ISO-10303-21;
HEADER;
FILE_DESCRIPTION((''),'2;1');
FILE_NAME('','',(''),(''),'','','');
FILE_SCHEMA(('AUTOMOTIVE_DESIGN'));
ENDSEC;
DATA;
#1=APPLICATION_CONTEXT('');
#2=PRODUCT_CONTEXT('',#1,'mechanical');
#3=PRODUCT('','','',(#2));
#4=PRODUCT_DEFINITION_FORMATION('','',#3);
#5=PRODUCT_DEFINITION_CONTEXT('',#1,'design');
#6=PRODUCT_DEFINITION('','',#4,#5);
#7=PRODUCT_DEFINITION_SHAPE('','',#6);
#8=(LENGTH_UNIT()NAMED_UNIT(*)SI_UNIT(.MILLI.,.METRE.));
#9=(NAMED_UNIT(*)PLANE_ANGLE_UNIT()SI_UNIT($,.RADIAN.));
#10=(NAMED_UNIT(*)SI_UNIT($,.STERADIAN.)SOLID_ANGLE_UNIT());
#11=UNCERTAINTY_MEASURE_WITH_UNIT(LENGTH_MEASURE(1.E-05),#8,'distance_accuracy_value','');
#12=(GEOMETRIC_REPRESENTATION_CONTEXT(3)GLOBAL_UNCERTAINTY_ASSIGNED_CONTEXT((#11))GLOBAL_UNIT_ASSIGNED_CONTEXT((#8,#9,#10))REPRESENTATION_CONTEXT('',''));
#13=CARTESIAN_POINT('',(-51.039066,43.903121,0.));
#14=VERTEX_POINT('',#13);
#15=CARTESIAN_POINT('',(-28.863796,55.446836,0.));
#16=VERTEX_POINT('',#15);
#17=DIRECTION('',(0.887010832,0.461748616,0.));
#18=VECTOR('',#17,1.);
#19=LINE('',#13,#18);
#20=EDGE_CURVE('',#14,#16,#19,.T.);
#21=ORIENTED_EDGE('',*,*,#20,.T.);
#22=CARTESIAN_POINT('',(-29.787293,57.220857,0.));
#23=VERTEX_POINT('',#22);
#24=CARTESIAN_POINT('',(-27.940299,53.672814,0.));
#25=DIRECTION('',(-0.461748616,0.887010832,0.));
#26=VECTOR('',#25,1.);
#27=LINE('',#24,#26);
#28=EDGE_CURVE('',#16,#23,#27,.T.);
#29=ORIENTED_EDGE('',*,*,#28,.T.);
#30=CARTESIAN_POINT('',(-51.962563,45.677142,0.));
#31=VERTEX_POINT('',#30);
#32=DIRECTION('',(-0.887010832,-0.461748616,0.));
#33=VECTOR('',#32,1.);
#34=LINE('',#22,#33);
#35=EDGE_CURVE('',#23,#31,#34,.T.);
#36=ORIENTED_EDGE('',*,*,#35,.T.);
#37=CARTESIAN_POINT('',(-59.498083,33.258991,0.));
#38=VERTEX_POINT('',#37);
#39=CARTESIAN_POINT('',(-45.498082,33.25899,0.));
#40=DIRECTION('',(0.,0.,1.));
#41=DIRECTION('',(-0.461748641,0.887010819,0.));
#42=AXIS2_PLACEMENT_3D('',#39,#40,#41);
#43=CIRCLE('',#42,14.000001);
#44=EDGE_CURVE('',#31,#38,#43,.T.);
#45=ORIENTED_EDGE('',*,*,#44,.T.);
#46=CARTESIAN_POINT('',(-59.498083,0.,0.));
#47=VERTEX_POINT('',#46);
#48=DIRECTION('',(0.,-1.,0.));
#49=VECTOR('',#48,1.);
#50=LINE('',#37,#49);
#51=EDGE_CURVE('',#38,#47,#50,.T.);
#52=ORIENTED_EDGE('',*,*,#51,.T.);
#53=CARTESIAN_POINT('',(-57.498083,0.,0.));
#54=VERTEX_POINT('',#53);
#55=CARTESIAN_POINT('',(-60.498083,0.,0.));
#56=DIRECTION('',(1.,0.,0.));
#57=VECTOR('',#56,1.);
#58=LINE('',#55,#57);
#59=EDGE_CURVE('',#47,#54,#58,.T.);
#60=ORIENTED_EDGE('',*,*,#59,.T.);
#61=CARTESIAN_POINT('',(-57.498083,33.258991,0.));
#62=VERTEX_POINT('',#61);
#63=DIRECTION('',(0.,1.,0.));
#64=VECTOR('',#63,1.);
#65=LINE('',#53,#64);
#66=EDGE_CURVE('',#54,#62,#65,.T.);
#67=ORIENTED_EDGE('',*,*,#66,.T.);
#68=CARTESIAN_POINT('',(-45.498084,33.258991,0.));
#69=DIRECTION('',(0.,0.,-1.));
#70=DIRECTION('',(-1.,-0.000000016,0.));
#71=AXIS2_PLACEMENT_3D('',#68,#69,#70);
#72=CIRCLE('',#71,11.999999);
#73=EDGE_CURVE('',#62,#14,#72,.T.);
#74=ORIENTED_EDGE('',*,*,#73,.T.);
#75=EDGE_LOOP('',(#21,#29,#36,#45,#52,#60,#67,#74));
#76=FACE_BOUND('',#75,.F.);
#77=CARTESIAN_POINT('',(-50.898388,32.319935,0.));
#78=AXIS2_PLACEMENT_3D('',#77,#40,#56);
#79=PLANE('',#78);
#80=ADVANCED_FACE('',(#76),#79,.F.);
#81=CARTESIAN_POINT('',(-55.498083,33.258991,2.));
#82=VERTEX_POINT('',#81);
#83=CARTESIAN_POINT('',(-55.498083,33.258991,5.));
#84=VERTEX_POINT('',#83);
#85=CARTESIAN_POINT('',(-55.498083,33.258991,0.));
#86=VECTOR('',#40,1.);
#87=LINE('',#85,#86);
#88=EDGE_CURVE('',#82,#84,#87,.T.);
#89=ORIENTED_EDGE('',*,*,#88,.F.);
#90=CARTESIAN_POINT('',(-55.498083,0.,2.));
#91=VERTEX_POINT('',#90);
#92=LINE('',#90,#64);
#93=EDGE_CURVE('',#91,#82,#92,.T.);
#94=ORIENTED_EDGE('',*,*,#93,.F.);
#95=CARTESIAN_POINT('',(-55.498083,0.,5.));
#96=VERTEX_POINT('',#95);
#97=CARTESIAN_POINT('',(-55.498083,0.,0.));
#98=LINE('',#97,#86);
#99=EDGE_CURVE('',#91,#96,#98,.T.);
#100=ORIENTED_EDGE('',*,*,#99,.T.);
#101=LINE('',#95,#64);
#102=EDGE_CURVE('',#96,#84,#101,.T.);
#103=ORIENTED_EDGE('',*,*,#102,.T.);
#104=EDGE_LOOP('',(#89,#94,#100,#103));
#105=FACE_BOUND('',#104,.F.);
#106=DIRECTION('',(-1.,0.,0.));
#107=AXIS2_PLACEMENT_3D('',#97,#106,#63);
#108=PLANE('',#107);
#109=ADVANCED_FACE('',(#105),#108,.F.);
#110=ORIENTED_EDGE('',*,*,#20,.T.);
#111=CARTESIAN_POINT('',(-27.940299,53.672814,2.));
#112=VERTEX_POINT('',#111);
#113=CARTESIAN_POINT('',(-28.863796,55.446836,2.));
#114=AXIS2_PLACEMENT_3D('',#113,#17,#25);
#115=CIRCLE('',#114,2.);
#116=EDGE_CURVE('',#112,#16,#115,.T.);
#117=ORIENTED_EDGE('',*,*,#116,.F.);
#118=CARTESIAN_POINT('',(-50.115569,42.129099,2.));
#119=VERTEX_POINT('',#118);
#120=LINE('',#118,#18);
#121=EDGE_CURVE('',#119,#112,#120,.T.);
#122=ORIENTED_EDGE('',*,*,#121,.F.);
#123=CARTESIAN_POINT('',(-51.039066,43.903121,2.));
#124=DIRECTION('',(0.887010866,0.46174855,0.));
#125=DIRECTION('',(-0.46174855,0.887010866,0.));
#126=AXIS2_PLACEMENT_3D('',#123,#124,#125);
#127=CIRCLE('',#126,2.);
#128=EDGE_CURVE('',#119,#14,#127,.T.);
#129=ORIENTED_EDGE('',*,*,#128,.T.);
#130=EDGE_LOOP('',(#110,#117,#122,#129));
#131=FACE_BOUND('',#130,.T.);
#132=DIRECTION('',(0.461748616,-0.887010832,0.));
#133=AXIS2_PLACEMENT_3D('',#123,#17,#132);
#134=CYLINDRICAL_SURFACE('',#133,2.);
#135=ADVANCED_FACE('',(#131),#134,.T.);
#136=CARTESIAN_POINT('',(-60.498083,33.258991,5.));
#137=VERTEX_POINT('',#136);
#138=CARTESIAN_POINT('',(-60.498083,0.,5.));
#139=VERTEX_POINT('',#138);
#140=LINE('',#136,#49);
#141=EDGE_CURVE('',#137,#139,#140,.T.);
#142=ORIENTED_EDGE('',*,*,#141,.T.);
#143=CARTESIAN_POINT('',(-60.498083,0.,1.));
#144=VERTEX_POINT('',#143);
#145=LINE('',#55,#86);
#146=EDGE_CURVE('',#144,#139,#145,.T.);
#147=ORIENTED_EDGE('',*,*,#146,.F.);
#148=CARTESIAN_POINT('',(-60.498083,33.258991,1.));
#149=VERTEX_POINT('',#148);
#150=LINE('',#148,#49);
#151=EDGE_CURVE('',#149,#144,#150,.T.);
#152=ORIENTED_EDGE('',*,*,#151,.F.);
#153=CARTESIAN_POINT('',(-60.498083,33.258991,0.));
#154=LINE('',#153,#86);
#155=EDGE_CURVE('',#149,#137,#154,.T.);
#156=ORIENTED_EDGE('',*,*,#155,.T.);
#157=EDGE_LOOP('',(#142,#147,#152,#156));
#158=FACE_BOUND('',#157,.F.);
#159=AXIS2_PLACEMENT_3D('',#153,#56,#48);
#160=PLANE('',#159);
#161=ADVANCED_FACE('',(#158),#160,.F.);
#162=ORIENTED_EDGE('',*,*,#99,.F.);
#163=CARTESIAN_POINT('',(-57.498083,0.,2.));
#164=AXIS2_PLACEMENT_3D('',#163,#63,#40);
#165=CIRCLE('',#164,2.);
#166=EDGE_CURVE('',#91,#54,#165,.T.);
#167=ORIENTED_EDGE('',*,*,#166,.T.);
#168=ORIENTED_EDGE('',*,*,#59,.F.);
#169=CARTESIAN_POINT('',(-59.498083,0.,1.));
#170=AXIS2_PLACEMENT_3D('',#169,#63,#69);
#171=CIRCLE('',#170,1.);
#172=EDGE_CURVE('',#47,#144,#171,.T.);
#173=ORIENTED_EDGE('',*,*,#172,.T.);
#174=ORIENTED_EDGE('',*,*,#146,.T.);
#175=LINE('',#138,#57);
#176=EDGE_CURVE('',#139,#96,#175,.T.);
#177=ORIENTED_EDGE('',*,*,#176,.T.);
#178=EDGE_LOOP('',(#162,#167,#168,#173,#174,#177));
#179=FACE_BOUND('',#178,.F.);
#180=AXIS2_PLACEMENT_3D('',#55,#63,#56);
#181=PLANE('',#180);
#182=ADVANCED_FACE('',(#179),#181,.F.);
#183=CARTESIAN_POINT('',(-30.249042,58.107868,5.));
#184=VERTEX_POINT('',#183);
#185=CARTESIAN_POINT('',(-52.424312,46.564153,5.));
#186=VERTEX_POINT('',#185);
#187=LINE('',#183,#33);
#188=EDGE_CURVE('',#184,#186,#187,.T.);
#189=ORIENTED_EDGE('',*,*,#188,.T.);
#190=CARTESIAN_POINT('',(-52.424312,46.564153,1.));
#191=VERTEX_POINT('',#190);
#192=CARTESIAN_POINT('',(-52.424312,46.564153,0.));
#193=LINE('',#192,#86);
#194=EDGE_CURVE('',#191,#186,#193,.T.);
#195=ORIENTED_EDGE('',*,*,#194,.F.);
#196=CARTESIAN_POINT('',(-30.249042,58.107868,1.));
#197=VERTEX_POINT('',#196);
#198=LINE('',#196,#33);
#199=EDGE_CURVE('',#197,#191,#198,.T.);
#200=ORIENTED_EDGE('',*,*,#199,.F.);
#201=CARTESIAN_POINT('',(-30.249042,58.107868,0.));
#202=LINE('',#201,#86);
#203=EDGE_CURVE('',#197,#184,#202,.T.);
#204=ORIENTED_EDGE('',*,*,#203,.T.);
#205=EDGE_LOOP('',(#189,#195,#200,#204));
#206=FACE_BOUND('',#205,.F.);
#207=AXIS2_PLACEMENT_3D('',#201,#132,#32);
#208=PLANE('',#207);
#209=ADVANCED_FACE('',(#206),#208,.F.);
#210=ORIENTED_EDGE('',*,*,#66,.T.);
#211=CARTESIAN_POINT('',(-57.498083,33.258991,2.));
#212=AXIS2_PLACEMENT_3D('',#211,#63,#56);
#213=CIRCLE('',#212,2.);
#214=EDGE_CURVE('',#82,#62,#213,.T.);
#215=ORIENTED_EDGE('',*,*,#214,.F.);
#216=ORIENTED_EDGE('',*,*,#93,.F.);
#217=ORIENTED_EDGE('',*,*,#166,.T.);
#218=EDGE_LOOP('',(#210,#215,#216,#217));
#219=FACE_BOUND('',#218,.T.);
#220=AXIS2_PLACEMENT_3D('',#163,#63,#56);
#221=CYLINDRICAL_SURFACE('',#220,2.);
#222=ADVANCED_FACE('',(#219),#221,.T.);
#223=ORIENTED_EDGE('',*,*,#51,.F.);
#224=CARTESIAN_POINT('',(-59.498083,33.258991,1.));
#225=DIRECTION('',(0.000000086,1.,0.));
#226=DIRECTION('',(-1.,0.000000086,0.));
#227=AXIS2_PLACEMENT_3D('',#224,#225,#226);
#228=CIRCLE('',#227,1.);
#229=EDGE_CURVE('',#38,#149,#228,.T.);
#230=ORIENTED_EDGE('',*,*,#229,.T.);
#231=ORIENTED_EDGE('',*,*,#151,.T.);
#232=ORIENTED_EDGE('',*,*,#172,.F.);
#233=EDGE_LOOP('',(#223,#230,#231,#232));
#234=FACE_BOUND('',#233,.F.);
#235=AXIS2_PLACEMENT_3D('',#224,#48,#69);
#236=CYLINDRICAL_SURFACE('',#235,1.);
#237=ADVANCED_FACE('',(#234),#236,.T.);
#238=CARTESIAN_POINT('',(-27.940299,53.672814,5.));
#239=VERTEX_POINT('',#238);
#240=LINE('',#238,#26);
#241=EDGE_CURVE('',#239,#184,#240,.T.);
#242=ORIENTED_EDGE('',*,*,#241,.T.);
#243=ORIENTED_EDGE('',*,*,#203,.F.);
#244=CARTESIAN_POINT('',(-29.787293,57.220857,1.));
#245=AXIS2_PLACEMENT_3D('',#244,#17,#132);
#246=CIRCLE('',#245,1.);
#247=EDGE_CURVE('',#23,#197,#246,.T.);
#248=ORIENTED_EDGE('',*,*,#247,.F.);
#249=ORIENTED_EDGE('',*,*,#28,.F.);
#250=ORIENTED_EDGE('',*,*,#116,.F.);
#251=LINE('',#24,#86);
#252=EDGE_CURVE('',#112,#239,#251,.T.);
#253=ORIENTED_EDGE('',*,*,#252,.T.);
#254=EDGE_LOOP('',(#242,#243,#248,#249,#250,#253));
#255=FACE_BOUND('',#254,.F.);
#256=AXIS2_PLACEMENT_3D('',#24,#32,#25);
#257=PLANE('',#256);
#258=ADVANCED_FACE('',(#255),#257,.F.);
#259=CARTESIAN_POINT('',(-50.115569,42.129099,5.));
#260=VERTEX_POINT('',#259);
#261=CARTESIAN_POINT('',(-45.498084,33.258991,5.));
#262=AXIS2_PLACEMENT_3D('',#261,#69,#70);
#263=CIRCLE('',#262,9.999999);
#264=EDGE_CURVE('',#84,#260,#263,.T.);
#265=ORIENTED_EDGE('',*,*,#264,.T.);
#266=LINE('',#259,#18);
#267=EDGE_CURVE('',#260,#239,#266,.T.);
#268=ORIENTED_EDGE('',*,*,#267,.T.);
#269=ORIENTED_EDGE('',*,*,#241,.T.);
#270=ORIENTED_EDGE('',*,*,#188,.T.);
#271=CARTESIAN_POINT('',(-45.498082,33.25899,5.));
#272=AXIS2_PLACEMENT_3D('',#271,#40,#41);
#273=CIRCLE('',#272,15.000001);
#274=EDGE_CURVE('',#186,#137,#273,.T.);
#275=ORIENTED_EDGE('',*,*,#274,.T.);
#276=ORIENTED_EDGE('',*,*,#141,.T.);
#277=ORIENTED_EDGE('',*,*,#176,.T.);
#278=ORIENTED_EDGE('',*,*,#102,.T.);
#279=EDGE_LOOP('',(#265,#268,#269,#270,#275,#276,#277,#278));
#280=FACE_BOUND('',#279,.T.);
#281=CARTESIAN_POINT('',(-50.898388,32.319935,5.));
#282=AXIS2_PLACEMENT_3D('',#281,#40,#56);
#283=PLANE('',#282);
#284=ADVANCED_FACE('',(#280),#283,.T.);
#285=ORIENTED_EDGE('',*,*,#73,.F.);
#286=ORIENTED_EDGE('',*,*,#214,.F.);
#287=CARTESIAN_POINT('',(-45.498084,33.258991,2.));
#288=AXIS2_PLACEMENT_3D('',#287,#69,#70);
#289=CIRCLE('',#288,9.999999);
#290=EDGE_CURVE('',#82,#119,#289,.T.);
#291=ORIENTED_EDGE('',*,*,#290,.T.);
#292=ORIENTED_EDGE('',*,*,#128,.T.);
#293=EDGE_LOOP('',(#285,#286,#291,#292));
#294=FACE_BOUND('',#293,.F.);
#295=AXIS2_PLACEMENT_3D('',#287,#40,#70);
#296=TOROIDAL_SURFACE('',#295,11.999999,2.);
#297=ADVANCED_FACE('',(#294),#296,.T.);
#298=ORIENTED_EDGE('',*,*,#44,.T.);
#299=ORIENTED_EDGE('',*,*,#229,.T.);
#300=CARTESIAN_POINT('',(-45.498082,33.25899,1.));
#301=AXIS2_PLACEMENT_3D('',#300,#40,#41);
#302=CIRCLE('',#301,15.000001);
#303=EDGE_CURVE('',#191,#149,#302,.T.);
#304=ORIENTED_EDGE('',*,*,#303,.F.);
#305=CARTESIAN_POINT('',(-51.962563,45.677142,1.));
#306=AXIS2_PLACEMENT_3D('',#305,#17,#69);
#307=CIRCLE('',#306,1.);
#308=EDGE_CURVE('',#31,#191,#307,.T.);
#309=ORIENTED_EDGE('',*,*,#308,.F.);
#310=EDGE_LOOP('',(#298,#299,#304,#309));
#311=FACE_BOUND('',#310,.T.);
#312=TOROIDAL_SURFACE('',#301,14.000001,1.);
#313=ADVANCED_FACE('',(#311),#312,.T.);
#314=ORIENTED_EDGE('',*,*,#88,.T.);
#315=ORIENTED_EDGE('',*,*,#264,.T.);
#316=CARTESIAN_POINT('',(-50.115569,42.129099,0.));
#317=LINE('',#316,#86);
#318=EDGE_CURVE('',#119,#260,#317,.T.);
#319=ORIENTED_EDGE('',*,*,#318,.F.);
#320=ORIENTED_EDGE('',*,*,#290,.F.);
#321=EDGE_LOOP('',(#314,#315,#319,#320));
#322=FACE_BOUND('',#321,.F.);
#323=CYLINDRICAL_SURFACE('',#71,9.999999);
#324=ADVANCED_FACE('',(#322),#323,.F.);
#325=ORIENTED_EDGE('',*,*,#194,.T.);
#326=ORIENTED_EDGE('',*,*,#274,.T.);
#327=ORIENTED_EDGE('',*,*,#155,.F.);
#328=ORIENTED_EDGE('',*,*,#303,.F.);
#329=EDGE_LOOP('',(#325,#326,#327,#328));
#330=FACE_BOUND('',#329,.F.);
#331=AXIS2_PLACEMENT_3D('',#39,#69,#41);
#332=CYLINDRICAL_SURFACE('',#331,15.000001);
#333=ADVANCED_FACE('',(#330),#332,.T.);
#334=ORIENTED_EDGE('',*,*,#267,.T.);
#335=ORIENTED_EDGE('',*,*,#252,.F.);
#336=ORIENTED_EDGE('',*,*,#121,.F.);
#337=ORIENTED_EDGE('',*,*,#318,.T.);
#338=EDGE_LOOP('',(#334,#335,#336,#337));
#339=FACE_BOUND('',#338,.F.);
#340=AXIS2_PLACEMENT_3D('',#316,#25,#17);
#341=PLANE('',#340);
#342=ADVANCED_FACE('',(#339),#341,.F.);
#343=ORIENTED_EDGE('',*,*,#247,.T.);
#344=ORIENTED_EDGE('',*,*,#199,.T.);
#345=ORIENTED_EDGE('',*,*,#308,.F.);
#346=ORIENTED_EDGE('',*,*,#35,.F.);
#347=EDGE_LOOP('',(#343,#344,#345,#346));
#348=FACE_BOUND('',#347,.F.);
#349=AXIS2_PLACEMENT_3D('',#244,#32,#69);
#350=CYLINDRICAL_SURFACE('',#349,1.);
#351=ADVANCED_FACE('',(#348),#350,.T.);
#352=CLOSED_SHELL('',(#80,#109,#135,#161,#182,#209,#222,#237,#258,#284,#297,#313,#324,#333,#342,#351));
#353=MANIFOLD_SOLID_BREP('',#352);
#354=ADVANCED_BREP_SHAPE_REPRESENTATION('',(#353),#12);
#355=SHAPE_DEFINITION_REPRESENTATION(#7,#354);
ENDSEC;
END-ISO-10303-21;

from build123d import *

# Parameters (mm, degrees)
F1_DEPTH = 5
F2_R     = 2
F3_R     = 1


with BuildPart() as f1:
    # F0 (on Top) → F1 (new body)
    with BuildSketch(Plane.XY):
        with BuildLine():
            Line((-60.498083, 0), (-55.498083, 0))
            Line((-55.498083, 0), (-55.498083, 33.258991))
            ThreePointArc((-55.498083, 33.258991), (-54.047202, 38.446723), (-50.115569, 42.129099))
            Line((-50.115569, 42.129099), (-27.940299, 53.672814))
            Line((-27.940299, 53.672814), (-30.249042, 58.107868))
            Line((-30.249042, 58.107868), (-52.424312, 46.564153))
            ThreePointArc((-52.424312, 46.564153), (-58.321761, 41.040589), (-60.498083, 33.258991))
            Line((-60.498083, 33.258991), (-60.498083, 0))
        make_face()
    extrude(amount=F1_DEPTH)

    # F2
    f2_edges = [f1.edges().sort_by_distance(p)[0] for p in [
        (-55.498083, 16.629495, 0),
    ]]
    fillet(f2_edges, radius=F2_R)

    # F3
    f3_edges = [f1.edges().sort_by_distance(p)[0] for p in [
        (-60.498083, 16.629495, 0),
    ]]
    fillet(f3_edges, radius=F3_R)


solid = f1.part
